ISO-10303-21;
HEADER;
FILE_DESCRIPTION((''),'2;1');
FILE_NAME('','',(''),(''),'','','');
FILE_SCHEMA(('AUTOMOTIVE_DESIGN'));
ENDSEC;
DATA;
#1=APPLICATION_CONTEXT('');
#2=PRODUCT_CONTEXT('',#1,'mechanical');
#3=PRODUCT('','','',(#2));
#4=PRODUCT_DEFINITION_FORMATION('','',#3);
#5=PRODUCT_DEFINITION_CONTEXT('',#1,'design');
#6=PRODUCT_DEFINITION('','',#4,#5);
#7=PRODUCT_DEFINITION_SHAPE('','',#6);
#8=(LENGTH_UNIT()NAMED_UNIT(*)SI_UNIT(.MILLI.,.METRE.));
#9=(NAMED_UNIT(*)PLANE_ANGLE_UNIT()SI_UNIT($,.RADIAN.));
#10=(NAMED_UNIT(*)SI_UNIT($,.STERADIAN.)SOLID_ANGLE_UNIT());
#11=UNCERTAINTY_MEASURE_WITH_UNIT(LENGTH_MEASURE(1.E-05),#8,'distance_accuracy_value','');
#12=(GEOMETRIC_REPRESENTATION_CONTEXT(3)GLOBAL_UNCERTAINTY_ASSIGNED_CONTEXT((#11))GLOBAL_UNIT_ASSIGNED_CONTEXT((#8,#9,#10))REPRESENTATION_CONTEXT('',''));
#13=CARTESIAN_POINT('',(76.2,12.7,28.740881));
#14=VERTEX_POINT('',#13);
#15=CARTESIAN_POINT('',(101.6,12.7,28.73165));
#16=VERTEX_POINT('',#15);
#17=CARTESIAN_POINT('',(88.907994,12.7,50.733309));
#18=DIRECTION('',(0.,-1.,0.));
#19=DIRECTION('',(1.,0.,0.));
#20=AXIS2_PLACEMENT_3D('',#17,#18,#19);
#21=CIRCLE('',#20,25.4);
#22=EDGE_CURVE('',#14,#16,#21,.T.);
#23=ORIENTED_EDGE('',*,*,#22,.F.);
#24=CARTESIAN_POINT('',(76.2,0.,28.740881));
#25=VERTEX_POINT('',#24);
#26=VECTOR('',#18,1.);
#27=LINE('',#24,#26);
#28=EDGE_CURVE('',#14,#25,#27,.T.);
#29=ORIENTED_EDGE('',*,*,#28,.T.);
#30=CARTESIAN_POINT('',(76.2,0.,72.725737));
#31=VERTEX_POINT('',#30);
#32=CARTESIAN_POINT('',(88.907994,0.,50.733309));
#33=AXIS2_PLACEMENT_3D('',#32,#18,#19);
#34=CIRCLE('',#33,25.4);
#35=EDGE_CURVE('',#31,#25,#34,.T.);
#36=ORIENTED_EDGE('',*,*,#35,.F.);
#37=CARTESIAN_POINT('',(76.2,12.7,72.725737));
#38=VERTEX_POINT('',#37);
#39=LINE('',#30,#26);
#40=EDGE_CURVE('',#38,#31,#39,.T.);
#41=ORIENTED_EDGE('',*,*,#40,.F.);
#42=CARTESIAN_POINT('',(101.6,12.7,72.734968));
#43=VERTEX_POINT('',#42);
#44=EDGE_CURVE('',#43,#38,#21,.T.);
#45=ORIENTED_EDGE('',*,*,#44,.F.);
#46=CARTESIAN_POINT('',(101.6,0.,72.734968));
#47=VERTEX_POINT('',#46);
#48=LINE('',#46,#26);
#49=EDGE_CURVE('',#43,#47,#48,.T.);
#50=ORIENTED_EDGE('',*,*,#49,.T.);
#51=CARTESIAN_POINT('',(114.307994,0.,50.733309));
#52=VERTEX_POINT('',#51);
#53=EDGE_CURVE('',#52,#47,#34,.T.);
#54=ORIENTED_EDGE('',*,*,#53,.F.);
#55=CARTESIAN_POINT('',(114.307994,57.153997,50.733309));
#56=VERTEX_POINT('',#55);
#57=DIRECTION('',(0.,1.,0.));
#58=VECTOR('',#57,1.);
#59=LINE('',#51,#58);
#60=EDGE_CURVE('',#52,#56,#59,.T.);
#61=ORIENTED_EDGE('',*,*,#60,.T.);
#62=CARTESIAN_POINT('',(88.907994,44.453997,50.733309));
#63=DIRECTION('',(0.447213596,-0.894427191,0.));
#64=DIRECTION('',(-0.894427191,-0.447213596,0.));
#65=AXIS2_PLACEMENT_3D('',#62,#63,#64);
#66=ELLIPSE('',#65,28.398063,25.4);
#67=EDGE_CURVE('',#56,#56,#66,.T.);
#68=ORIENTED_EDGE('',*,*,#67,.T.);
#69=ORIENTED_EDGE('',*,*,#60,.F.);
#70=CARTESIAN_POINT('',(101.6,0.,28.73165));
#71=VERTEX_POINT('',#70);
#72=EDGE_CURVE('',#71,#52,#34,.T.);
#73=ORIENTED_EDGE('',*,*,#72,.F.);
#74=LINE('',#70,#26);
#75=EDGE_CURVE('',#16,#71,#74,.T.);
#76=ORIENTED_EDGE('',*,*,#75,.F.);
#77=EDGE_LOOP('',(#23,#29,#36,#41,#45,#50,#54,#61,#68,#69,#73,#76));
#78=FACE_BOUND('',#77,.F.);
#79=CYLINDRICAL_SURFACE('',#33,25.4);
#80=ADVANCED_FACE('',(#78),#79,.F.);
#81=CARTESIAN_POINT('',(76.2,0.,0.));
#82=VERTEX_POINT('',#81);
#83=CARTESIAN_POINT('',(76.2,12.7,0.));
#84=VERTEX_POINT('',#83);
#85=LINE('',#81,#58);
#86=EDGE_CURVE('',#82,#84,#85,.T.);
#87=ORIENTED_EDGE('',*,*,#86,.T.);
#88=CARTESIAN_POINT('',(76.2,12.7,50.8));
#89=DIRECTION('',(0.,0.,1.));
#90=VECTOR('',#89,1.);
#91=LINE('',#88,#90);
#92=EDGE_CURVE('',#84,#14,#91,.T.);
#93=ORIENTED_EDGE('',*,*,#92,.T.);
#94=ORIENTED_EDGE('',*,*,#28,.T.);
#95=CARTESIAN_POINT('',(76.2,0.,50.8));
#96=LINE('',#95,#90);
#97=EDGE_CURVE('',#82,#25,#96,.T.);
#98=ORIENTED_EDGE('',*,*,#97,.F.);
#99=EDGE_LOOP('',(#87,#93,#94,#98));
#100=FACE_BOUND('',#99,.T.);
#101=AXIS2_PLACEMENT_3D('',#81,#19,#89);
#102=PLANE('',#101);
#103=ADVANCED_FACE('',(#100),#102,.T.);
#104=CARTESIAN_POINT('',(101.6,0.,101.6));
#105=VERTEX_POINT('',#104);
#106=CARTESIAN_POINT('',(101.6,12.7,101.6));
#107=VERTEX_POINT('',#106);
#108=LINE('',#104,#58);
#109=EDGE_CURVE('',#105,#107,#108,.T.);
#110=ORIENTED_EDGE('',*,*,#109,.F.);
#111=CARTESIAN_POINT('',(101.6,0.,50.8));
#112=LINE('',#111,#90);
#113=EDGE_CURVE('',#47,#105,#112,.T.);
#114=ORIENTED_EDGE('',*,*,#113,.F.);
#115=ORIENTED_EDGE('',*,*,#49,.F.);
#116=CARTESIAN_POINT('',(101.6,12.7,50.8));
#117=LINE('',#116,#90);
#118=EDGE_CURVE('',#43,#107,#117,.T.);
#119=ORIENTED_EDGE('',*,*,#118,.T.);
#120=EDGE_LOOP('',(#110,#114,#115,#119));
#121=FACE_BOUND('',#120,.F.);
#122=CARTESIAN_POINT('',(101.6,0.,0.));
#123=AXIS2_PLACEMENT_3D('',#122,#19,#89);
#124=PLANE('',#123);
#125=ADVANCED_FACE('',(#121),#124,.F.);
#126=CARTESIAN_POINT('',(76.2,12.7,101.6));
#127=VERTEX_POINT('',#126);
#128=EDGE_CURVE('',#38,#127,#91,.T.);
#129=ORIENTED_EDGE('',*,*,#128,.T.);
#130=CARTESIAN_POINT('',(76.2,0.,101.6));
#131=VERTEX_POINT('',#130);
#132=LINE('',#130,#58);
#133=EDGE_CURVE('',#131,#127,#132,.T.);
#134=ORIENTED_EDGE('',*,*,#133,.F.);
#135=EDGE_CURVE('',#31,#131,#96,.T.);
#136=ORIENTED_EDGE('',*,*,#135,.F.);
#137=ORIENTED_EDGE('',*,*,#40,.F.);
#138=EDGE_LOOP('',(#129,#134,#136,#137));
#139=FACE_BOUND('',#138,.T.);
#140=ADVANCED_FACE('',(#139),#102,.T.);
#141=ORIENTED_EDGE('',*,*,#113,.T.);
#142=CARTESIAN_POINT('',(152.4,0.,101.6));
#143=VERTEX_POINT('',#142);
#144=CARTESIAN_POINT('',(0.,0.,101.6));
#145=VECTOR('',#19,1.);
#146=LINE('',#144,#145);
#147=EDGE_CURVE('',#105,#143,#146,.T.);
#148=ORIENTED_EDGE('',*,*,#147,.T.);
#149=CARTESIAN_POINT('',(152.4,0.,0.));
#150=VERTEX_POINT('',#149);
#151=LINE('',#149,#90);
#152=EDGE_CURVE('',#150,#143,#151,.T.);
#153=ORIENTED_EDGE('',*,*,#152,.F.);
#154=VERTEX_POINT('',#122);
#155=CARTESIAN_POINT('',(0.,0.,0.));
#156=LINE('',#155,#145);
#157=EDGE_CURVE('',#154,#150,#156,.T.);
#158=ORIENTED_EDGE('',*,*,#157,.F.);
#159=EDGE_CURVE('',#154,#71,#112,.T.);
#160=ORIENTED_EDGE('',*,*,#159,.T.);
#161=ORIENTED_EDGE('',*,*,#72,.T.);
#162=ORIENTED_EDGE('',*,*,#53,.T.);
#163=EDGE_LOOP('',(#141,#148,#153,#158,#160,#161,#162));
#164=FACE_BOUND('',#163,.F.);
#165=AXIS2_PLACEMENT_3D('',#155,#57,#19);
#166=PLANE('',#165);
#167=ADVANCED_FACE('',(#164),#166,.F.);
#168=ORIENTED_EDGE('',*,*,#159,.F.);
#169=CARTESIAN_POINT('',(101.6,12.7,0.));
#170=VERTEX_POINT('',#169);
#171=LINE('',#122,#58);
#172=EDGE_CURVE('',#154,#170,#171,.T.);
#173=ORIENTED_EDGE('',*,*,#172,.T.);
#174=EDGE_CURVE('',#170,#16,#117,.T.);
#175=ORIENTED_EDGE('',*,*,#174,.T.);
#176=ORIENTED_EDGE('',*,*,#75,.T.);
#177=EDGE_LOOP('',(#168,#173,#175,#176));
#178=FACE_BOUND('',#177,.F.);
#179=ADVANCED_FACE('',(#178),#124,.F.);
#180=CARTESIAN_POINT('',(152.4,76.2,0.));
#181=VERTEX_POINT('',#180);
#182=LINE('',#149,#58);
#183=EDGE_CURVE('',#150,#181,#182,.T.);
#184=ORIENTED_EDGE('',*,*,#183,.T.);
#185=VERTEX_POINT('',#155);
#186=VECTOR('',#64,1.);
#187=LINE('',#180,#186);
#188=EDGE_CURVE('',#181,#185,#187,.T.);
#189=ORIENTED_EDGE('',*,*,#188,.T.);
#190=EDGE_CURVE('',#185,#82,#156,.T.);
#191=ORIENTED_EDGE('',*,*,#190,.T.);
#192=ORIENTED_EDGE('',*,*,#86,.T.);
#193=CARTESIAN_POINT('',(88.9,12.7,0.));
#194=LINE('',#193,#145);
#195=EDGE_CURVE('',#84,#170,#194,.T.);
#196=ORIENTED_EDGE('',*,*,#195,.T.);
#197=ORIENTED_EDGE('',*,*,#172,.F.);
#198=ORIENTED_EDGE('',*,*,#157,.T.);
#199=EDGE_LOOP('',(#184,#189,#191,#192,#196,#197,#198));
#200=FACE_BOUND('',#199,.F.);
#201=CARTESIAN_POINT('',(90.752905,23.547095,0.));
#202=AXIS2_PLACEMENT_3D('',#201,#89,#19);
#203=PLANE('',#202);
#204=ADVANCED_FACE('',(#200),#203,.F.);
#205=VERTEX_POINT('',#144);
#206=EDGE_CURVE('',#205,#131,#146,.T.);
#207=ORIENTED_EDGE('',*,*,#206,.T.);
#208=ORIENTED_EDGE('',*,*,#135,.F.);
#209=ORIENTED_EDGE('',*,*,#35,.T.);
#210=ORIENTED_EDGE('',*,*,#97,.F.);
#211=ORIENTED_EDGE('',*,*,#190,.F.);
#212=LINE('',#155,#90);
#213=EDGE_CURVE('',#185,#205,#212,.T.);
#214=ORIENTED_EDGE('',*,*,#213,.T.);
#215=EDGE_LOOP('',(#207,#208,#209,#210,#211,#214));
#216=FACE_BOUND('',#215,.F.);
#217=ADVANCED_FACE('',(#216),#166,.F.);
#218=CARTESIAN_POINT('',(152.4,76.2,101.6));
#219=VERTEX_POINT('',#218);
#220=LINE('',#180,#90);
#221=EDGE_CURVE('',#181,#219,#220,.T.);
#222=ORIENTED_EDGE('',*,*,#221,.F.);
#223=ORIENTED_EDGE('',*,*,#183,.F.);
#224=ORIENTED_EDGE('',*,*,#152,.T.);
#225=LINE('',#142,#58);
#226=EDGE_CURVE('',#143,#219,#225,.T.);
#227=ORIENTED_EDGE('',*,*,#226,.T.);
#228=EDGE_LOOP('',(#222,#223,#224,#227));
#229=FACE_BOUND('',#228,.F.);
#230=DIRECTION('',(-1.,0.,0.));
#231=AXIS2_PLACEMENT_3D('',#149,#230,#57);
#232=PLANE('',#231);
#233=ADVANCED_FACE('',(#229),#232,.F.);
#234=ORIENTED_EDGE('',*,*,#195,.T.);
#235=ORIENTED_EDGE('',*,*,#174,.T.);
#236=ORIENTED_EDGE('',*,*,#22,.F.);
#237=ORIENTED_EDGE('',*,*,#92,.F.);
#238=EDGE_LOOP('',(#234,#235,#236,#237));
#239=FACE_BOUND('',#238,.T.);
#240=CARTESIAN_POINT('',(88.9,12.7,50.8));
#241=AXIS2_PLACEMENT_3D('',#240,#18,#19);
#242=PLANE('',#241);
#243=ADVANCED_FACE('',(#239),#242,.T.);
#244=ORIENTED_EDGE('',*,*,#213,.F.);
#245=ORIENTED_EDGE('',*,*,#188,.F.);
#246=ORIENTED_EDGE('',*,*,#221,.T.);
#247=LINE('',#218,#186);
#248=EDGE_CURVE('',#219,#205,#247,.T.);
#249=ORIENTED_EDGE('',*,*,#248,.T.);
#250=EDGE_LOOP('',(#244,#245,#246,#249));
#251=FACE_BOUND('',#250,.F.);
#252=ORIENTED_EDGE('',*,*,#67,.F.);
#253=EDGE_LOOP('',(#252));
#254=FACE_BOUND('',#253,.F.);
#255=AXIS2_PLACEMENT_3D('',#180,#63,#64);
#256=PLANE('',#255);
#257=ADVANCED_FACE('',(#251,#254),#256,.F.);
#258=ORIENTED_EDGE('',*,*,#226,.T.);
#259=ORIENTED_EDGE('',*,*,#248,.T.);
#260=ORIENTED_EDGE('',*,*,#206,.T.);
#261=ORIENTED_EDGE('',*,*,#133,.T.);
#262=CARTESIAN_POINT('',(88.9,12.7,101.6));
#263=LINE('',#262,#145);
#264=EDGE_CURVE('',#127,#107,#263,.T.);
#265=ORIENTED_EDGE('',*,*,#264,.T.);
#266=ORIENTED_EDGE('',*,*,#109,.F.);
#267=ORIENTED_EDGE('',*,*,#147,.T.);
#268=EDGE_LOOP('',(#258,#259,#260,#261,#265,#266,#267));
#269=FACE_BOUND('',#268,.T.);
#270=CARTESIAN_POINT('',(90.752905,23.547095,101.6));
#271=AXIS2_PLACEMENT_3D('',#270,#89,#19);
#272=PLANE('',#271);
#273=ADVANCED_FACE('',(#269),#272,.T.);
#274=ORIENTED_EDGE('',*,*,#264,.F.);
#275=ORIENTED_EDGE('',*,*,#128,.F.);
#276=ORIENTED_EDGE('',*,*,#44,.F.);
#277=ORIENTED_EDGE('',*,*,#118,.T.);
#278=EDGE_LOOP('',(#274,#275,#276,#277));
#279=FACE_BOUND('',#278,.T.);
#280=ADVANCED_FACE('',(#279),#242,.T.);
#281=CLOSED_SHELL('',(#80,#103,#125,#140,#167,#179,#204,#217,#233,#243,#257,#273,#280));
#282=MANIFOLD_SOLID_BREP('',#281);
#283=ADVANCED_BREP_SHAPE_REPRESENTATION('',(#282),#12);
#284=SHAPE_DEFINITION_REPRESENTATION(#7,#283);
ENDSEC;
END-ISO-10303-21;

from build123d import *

# Parameters (mm, degrees)
F1_DEPTH = 101.6
F3_W     = 25.4
F3_H     = 101.6
F4_DEPTH = 12.7
F5_R     = 25.4
F6_DEPTH = 76.201


with BuildPart() as f1:
    # F0 (on Top) → F1 (new body)
    with BuildSketch(Plane.XY):
        Polygon((152.4, 76.2), (0, 0), (152.4, 0), align=None)
    extrude(amount=F1_DEPTH)

    # F3 (on face) → F4 (cut)
    with BuildSketch(Plane.XZ):
        with Locations((88.9, 50.8)):
            Rectangle(F3_W, F3_H)
    extrude(amount=-F4_DEPTH, mode=Mode.SUBTRACT)

    # F5 (on face) → F6 (cut, through all)
    with BuildSketch(Plane.XZ):
        with Locations((88.907994, 50.733309)):
            Circle(F5_R)
    extrude(amount=-F6_DEPTH, mode=Mode.SUBTRACT)


solid = f1.part
